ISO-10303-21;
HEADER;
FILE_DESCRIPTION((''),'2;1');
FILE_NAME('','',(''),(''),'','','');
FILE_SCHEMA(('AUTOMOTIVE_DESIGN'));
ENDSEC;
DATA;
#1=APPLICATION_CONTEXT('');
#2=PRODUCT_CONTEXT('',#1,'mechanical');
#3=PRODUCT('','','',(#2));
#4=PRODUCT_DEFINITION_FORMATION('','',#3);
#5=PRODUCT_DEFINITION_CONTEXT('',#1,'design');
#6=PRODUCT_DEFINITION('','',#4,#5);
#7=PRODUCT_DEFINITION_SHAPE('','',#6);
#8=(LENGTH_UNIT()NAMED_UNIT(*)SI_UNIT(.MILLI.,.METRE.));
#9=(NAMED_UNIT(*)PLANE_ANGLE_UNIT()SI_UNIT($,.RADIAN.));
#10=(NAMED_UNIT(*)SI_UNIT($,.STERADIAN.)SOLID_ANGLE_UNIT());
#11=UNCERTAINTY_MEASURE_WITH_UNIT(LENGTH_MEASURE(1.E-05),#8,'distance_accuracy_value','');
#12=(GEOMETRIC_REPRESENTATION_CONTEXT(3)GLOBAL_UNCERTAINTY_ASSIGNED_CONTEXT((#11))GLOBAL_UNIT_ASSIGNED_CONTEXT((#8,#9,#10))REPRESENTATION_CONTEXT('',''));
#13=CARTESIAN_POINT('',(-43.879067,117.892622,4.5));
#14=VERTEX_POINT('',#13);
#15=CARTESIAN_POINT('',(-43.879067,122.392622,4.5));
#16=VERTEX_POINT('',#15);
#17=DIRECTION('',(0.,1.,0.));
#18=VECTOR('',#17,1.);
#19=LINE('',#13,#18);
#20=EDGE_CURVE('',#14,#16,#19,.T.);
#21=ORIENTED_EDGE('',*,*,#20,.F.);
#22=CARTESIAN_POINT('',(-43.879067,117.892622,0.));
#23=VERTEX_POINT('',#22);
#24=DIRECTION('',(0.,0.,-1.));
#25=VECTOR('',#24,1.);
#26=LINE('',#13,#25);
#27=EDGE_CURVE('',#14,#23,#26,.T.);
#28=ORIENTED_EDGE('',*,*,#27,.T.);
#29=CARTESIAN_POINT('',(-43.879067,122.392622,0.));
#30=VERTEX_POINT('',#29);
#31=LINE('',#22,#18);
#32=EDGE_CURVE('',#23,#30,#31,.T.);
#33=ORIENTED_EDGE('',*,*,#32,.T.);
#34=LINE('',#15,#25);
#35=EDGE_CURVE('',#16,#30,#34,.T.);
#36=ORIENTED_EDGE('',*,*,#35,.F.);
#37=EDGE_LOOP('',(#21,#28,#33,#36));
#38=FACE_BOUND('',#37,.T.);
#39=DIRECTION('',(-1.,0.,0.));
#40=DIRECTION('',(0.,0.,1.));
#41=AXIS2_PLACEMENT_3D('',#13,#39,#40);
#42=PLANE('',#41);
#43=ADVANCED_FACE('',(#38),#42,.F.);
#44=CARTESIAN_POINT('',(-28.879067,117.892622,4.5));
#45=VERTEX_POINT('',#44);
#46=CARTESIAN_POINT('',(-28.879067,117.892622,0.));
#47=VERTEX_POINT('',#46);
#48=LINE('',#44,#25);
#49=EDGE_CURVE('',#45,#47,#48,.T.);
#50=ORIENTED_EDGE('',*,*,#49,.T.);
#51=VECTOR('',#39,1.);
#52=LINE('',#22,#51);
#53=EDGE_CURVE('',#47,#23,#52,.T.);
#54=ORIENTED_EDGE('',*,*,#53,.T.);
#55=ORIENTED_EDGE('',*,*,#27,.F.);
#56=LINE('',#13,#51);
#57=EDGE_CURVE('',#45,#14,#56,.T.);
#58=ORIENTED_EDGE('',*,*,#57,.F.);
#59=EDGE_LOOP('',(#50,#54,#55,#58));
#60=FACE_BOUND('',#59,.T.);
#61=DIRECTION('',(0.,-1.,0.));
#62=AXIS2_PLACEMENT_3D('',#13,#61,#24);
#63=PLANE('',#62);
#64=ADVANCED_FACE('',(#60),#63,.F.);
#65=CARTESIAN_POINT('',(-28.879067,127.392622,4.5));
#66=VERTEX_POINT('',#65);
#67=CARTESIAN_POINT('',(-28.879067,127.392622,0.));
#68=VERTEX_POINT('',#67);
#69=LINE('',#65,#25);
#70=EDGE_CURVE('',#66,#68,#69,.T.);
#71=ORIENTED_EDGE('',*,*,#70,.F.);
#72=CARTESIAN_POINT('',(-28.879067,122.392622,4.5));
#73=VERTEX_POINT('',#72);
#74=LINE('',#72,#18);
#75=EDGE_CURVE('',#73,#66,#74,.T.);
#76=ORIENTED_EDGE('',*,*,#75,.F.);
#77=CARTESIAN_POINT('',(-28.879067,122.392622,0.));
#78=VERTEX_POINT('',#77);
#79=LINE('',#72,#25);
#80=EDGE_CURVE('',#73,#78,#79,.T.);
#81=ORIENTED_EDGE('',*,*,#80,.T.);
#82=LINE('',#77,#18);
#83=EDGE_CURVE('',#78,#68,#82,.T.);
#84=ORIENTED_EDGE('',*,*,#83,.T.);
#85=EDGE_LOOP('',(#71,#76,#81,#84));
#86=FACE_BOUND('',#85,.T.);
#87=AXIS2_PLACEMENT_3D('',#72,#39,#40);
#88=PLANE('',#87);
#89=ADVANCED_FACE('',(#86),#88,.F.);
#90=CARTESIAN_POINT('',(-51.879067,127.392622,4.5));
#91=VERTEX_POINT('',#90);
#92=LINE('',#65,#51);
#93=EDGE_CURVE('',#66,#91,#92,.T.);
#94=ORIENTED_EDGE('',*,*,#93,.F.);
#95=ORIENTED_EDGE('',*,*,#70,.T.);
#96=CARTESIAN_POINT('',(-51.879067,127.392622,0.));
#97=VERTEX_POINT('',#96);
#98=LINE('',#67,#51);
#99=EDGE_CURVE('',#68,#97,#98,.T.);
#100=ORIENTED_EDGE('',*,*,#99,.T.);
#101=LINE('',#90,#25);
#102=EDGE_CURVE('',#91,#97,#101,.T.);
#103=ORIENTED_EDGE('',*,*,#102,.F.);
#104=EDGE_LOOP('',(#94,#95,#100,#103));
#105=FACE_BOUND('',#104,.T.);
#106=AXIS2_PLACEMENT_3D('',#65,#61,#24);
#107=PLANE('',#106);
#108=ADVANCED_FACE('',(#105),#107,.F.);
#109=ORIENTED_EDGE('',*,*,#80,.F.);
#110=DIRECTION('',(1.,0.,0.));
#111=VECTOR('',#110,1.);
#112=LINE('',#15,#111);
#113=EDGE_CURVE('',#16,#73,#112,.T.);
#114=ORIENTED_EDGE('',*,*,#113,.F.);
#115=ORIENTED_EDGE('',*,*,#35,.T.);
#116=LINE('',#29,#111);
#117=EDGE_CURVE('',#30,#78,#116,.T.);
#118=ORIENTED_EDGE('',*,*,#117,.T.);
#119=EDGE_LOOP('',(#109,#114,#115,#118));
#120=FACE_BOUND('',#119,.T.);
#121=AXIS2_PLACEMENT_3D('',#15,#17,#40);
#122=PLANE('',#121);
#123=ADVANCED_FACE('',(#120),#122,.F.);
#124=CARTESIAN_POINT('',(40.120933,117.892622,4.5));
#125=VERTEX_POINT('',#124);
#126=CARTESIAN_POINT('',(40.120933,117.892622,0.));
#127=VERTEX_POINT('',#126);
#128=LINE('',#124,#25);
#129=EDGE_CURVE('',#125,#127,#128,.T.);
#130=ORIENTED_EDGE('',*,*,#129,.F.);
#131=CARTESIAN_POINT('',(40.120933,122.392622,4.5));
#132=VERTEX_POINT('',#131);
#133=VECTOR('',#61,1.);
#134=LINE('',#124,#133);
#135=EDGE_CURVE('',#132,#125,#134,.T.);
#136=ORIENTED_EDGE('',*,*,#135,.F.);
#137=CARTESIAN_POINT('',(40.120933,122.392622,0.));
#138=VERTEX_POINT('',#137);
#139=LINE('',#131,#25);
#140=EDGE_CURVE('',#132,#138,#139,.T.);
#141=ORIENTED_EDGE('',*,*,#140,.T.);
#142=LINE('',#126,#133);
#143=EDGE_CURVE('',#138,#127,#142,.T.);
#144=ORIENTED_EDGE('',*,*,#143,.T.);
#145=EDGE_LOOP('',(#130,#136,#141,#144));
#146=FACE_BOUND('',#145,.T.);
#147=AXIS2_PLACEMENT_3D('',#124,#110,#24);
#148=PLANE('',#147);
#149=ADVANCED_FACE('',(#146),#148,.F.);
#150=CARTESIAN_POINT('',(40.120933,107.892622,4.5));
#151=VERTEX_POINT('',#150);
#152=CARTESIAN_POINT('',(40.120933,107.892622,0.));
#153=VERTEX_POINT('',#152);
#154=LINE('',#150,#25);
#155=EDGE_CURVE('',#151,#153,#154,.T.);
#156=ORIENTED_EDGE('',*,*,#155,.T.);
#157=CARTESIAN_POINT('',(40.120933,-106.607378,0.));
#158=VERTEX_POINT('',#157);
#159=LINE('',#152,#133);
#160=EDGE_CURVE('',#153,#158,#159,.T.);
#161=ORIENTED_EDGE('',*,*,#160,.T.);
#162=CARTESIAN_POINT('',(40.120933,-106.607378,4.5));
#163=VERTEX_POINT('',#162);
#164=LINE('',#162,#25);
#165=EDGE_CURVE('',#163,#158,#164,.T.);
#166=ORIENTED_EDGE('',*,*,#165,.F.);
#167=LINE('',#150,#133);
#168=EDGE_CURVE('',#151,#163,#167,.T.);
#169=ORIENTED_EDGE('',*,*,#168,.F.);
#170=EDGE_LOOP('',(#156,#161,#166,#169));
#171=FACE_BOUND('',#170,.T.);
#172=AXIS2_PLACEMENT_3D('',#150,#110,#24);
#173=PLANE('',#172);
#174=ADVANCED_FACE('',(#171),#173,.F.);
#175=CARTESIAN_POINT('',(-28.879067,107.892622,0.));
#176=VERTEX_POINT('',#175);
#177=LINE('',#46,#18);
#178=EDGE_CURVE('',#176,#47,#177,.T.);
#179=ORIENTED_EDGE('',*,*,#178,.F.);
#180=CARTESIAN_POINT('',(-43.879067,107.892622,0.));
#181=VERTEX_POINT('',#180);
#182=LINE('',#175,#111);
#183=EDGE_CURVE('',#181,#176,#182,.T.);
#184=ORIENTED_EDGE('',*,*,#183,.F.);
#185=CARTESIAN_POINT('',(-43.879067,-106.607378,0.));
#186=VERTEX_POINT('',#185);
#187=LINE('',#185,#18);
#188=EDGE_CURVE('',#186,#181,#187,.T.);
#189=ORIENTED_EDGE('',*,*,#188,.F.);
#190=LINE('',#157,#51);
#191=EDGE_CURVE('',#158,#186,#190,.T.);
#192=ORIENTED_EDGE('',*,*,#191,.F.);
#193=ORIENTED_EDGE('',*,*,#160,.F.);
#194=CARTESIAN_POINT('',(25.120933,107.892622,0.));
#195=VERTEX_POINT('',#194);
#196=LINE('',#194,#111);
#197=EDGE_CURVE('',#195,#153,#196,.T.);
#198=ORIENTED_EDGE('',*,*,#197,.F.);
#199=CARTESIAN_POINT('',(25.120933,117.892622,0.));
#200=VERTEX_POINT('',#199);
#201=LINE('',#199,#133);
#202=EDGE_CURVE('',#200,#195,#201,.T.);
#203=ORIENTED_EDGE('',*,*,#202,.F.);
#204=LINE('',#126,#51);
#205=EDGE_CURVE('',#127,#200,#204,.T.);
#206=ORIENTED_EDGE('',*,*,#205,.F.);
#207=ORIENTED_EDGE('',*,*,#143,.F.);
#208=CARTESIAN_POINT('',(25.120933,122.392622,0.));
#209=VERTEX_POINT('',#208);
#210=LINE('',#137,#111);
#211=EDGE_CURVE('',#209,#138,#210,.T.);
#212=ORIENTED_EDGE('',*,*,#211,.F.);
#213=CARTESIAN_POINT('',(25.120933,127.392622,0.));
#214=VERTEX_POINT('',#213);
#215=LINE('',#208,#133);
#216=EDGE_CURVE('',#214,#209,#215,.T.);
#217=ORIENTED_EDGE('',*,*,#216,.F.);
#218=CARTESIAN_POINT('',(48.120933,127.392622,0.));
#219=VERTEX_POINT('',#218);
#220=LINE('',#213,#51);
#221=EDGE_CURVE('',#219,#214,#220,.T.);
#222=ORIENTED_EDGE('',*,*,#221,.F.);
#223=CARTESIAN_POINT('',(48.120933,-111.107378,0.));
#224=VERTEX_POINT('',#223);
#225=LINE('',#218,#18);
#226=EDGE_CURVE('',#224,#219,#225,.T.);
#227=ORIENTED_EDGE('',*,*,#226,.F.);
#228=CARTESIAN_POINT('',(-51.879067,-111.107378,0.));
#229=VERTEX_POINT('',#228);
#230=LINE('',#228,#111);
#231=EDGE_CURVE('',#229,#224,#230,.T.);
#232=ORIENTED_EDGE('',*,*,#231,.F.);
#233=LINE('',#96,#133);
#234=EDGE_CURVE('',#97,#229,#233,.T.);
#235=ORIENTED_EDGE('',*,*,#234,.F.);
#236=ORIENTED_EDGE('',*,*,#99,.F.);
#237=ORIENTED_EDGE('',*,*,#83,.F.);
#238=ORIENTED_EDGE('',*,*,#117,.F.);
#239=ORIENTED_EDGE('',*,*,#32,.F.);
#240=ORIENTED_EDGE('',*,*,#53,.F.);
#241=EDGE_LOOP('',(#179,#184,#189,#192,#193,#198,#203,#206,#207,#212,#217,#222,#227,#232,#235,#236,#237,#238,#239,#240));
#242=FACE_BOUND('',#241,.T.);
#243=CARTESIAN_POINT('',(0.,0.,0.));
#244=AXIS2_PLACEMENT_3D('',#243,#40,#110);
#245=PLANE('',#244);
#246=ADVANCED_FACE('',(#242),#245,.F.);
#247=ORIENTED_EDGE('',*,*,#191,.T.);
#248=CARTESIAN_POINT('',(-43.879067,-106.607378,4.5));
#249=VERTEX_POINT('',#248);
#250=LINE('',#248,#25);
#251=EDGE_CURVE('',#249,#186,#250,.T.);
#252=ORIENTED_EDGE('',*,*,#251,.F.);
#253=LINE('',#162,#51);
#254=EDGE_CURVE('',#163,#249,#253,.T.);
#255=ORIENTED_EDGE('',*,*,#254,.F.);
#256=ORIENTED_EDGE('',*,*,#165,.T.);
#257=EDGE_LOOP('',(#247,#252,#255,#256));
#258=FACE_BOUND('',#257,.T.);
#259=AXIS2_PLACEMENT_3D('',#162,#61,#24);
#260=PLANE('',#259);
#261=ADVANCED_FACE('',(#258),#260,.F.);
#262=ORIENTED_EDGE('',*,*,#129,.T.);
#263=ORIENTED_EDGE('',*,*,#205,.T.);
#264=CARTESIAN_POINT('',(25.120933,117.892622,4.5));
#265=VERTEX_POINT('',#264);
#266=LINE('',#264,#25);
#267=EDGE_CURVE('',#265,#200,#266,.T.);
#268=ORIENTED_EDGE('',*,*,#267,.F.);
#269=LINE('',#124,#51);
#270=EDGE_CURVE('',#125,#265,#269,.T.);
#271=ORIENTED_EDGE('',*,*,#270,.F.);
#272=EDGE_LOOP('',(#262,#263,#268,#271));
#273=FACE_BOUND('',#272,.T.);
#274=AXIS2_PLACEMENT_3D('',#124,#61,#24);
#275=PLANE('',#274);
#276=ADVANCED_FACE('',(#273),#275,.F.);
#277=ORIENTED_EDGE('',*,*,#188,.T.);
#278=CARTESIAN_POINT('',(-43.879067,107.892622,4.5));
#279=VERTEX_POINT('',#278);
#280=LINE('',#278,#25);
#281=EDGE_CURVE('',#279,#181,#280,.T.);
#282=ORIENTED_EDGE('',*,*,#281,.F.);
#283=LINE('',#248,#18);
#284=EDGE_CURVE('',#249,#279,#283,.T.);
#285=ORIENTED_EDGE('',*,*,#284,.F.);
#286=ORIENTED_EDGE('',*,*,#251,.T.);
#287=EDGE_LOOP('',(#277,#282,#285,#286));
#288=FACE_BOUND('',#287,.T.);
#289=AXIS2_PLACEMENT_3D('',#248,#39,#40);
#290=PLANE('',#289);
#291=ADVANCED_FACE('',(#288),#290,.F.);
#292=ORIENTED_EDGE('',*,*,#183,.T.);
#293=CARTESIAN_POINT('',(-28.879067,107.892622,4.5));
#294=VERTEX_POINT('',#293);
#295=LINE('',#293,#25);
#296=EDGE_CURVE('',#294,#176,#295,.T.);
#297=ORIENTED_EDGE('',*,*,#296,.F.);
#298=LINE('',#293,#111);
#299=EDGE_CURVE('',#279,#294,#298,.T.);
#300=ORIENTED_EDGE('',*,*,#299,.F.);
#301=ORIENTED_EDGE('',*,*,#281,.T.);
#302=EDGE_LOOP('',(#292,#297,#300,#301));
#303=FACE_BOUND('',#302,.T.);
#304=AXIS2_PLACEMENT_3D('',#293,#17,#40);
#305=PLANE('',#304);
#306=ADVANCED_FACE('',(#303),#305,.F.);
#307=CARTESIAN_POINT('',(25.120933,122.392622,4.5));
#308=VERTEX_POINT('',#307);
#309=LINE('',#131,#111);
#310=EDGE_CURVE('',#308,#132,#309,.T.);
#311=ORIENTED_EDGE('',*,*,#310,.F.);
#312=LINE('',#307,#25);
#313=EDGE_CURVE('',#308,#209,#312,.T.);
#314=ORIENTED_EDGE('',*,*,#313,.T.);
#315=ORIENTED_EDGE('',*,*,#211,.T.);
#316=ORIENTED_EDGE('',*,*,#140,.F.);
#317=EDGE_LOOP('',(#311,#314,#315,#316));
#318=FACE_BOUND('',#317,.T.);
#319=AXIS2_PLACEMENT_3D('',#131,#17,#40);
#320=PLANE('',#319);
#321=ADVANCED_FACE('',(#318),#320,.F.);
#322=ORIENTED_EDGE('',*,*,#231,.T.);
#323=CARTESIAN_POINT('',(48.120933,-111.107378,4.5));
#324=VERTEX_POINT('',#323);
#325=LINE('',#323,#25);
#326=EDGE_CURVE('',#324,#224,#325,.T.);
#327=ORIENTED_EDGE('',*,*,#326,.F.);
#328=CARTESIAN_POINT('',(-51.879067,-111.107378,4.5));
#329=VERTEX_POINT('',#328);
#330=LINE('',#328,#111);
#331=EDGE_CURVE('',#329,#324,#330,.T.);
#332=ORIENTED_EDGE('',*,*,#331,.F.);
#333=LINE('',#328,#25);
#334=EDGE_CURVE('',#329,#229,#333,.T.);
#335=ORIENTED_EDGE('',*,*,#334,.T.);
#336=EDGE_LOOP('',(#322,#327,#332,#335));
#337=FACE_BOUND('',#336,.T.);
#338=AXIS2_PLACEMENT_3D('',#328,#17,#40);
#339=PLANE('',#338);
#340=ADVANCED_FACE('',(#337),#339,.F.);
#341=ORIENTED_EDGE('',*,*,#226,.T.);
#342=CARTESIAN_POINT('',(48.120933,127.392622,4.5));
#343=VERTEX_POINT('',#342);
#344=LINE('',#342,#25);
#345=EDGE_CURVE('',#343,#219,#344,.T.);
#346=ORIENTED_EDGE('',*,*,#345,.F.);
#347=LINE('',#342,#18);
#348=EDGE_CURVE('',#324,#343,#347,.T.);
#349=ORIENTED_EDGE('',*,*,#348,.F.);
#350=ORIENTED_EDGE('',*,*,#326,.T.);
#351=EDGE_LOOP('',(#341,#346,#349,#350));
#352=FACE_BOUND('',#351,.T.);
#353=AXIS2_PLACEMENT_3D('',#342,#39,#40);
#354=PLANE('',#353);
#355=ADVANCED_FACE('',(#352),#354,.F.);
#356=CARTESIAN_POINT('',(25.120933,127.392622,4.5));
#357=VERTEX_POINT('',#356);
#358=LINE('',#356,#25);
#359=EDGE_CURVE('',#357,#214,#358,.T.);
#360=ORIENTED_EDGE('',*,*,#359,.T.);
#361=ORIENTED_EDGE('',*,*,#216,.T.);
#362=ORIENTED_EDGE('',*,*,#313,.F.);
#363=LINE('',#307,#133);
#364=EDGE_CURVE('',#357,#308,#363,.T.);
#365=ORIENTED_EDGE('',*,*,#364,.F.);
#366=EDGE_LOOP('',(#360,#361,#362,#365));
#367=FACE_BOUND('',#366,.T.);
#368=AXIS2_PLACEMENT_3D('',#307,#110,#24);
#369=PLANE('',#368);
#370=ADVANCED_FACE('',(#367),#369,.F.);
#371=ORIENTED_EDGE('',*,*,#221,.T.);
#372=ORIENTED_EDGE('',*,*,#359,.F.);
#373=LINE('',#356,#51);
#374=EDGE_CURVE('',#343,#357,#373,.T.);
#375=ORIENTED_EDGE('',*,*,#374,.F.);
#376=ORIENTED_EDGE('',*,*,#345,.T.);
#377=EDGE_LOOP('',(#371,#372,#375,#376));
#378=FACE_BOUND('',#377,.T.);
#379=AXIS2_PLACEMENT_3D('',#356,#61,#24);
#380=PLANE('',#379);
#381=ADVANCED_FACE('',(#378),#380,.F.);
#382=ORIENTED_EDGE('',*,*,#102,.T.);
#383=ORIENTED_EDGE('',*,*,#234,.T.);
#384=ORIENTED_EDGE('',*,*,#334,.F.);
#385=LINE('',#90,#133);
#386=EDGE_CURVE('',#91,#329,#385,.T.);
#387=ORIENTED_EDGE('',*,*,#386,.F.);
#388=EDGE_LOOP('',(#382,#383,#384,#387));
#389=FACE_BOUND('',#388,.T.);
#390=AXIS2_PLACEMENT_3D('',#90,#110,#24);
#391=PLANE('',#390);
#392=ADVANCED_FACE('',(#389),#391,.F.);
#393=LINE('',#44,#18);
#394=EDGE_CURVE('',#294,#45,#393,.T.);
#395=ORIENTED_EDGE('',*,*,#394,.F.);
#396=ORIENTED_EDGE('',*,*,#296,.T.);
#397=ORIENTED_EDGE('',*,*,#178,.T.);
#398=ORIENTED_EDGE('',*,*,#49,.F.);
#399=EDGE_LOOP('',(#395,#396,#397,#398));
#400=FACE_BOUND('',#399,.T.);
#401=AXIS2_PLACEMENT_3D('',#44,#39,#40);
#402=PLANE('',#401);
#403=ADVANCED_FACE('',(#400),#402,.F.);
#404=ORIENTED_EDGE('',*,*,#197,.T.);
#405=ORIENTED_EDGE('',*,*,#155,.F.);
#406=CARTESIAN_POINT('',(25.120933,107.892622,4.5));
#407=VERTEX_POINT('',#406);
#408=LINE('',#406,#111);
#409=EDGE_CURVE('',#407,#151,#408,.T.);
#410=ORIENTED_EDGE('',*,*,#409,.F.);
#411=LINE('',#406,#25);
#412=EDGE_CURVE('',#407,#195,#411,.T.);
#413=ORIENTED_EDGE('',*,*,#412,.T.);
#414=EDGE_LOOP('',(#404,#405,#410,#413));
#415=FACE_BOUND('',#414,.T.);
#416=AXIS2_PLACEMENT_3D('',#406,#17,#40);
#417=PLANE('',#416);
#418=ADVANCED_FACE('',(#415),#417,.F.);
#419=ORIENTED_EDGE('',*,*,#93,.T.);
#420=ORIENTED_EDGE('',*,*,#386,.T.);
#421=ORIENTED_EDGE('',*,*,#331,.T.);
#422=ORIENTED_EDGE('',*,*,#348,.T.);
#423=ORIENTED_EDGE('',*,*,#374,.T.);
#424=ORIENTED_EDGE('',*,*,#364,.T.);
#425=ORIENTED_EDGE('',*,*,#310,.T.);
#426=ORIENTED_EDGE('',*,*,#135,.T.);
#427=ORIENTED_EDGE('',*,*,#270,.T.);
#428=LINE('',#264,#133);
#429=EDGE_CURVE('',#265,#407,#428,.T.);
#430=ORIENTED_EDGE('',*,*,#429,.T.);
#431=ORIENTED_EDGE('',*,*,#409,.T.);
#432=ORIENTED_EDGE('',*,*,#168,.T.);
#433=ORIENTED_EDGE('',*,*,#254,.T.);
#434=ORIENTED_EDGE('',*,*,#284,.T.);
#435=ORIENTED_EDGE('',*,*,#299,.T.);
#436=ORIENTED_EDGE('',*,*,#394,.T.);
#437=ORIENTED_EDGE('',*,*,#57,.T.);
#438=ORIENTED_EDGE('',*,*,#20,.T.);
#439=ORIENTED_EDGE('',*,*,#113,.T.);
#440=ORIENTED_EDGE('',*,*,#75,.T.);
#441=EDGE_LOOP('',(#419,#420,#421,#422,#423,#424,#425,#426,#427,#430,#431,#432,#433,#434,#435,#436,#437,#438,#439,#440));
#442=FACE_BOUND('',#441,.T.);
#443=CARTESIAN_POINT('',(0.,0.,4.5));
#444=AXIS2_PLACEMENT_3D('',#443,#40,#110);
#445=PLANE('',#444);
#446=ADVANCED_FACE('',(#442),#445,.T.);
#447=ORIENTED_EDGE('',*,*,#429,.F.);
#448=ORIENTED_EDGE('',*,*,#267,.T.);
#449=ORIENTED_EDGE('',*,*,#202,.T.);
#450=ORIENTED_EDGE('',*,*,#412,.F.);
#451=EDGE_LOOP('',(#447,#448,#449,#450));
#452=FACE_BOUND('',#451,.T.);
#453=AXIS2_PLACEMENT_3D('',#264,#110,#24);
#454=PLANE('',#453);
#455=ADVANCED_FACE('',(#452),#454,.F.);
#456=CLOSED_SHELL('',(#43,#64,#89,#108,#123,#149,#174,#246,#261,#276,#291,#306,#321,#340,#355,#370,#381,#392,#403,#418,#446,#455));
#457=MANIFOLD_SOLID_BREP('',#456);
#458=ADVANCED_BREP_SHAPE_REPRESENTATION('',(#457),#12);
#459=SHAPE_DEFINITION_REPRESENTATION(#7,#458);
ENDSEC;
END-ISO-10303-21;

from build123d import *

# Parameters (mm, degrees)
BOSS_EXTRUDE1_DEPTH = 4.5


with BuildPart() as part:
    # Sketch2 → Boss-Extrude1 (new body)
    with BuildSketch(Plane.XY):
        Polygon((40.120933275, 117.892622477), (40.120933275, 122.392622477), (25.120933275, 122.392622477), (25.120933275, 127.392622477), (48.120933275, 127.392622477), (48.120933275, -111.107377523), (-51.879066725, -111.107377523), (-51.879066725, 127.392622477), (-28.879066725, 127.392622477), (-28.879066725, 122.392622477), (-43.879066725, 122.392622477), (-43.879066725, 117.892622477), (-28.879066725, 117.892622477), (-28.879066725, 107.892622477), (-43.879066725, 107.892622477), (-43.879066725, -106.607377523), (40.120933275, -106.607377523), (40.120933275, 107.892622477), (25.120933275, 107.892622477), (25.120933275, 117.892622477), align=None)
    extrude(amount=BOSS_EXTRUDE1_DEPTH)


solid = part.part
